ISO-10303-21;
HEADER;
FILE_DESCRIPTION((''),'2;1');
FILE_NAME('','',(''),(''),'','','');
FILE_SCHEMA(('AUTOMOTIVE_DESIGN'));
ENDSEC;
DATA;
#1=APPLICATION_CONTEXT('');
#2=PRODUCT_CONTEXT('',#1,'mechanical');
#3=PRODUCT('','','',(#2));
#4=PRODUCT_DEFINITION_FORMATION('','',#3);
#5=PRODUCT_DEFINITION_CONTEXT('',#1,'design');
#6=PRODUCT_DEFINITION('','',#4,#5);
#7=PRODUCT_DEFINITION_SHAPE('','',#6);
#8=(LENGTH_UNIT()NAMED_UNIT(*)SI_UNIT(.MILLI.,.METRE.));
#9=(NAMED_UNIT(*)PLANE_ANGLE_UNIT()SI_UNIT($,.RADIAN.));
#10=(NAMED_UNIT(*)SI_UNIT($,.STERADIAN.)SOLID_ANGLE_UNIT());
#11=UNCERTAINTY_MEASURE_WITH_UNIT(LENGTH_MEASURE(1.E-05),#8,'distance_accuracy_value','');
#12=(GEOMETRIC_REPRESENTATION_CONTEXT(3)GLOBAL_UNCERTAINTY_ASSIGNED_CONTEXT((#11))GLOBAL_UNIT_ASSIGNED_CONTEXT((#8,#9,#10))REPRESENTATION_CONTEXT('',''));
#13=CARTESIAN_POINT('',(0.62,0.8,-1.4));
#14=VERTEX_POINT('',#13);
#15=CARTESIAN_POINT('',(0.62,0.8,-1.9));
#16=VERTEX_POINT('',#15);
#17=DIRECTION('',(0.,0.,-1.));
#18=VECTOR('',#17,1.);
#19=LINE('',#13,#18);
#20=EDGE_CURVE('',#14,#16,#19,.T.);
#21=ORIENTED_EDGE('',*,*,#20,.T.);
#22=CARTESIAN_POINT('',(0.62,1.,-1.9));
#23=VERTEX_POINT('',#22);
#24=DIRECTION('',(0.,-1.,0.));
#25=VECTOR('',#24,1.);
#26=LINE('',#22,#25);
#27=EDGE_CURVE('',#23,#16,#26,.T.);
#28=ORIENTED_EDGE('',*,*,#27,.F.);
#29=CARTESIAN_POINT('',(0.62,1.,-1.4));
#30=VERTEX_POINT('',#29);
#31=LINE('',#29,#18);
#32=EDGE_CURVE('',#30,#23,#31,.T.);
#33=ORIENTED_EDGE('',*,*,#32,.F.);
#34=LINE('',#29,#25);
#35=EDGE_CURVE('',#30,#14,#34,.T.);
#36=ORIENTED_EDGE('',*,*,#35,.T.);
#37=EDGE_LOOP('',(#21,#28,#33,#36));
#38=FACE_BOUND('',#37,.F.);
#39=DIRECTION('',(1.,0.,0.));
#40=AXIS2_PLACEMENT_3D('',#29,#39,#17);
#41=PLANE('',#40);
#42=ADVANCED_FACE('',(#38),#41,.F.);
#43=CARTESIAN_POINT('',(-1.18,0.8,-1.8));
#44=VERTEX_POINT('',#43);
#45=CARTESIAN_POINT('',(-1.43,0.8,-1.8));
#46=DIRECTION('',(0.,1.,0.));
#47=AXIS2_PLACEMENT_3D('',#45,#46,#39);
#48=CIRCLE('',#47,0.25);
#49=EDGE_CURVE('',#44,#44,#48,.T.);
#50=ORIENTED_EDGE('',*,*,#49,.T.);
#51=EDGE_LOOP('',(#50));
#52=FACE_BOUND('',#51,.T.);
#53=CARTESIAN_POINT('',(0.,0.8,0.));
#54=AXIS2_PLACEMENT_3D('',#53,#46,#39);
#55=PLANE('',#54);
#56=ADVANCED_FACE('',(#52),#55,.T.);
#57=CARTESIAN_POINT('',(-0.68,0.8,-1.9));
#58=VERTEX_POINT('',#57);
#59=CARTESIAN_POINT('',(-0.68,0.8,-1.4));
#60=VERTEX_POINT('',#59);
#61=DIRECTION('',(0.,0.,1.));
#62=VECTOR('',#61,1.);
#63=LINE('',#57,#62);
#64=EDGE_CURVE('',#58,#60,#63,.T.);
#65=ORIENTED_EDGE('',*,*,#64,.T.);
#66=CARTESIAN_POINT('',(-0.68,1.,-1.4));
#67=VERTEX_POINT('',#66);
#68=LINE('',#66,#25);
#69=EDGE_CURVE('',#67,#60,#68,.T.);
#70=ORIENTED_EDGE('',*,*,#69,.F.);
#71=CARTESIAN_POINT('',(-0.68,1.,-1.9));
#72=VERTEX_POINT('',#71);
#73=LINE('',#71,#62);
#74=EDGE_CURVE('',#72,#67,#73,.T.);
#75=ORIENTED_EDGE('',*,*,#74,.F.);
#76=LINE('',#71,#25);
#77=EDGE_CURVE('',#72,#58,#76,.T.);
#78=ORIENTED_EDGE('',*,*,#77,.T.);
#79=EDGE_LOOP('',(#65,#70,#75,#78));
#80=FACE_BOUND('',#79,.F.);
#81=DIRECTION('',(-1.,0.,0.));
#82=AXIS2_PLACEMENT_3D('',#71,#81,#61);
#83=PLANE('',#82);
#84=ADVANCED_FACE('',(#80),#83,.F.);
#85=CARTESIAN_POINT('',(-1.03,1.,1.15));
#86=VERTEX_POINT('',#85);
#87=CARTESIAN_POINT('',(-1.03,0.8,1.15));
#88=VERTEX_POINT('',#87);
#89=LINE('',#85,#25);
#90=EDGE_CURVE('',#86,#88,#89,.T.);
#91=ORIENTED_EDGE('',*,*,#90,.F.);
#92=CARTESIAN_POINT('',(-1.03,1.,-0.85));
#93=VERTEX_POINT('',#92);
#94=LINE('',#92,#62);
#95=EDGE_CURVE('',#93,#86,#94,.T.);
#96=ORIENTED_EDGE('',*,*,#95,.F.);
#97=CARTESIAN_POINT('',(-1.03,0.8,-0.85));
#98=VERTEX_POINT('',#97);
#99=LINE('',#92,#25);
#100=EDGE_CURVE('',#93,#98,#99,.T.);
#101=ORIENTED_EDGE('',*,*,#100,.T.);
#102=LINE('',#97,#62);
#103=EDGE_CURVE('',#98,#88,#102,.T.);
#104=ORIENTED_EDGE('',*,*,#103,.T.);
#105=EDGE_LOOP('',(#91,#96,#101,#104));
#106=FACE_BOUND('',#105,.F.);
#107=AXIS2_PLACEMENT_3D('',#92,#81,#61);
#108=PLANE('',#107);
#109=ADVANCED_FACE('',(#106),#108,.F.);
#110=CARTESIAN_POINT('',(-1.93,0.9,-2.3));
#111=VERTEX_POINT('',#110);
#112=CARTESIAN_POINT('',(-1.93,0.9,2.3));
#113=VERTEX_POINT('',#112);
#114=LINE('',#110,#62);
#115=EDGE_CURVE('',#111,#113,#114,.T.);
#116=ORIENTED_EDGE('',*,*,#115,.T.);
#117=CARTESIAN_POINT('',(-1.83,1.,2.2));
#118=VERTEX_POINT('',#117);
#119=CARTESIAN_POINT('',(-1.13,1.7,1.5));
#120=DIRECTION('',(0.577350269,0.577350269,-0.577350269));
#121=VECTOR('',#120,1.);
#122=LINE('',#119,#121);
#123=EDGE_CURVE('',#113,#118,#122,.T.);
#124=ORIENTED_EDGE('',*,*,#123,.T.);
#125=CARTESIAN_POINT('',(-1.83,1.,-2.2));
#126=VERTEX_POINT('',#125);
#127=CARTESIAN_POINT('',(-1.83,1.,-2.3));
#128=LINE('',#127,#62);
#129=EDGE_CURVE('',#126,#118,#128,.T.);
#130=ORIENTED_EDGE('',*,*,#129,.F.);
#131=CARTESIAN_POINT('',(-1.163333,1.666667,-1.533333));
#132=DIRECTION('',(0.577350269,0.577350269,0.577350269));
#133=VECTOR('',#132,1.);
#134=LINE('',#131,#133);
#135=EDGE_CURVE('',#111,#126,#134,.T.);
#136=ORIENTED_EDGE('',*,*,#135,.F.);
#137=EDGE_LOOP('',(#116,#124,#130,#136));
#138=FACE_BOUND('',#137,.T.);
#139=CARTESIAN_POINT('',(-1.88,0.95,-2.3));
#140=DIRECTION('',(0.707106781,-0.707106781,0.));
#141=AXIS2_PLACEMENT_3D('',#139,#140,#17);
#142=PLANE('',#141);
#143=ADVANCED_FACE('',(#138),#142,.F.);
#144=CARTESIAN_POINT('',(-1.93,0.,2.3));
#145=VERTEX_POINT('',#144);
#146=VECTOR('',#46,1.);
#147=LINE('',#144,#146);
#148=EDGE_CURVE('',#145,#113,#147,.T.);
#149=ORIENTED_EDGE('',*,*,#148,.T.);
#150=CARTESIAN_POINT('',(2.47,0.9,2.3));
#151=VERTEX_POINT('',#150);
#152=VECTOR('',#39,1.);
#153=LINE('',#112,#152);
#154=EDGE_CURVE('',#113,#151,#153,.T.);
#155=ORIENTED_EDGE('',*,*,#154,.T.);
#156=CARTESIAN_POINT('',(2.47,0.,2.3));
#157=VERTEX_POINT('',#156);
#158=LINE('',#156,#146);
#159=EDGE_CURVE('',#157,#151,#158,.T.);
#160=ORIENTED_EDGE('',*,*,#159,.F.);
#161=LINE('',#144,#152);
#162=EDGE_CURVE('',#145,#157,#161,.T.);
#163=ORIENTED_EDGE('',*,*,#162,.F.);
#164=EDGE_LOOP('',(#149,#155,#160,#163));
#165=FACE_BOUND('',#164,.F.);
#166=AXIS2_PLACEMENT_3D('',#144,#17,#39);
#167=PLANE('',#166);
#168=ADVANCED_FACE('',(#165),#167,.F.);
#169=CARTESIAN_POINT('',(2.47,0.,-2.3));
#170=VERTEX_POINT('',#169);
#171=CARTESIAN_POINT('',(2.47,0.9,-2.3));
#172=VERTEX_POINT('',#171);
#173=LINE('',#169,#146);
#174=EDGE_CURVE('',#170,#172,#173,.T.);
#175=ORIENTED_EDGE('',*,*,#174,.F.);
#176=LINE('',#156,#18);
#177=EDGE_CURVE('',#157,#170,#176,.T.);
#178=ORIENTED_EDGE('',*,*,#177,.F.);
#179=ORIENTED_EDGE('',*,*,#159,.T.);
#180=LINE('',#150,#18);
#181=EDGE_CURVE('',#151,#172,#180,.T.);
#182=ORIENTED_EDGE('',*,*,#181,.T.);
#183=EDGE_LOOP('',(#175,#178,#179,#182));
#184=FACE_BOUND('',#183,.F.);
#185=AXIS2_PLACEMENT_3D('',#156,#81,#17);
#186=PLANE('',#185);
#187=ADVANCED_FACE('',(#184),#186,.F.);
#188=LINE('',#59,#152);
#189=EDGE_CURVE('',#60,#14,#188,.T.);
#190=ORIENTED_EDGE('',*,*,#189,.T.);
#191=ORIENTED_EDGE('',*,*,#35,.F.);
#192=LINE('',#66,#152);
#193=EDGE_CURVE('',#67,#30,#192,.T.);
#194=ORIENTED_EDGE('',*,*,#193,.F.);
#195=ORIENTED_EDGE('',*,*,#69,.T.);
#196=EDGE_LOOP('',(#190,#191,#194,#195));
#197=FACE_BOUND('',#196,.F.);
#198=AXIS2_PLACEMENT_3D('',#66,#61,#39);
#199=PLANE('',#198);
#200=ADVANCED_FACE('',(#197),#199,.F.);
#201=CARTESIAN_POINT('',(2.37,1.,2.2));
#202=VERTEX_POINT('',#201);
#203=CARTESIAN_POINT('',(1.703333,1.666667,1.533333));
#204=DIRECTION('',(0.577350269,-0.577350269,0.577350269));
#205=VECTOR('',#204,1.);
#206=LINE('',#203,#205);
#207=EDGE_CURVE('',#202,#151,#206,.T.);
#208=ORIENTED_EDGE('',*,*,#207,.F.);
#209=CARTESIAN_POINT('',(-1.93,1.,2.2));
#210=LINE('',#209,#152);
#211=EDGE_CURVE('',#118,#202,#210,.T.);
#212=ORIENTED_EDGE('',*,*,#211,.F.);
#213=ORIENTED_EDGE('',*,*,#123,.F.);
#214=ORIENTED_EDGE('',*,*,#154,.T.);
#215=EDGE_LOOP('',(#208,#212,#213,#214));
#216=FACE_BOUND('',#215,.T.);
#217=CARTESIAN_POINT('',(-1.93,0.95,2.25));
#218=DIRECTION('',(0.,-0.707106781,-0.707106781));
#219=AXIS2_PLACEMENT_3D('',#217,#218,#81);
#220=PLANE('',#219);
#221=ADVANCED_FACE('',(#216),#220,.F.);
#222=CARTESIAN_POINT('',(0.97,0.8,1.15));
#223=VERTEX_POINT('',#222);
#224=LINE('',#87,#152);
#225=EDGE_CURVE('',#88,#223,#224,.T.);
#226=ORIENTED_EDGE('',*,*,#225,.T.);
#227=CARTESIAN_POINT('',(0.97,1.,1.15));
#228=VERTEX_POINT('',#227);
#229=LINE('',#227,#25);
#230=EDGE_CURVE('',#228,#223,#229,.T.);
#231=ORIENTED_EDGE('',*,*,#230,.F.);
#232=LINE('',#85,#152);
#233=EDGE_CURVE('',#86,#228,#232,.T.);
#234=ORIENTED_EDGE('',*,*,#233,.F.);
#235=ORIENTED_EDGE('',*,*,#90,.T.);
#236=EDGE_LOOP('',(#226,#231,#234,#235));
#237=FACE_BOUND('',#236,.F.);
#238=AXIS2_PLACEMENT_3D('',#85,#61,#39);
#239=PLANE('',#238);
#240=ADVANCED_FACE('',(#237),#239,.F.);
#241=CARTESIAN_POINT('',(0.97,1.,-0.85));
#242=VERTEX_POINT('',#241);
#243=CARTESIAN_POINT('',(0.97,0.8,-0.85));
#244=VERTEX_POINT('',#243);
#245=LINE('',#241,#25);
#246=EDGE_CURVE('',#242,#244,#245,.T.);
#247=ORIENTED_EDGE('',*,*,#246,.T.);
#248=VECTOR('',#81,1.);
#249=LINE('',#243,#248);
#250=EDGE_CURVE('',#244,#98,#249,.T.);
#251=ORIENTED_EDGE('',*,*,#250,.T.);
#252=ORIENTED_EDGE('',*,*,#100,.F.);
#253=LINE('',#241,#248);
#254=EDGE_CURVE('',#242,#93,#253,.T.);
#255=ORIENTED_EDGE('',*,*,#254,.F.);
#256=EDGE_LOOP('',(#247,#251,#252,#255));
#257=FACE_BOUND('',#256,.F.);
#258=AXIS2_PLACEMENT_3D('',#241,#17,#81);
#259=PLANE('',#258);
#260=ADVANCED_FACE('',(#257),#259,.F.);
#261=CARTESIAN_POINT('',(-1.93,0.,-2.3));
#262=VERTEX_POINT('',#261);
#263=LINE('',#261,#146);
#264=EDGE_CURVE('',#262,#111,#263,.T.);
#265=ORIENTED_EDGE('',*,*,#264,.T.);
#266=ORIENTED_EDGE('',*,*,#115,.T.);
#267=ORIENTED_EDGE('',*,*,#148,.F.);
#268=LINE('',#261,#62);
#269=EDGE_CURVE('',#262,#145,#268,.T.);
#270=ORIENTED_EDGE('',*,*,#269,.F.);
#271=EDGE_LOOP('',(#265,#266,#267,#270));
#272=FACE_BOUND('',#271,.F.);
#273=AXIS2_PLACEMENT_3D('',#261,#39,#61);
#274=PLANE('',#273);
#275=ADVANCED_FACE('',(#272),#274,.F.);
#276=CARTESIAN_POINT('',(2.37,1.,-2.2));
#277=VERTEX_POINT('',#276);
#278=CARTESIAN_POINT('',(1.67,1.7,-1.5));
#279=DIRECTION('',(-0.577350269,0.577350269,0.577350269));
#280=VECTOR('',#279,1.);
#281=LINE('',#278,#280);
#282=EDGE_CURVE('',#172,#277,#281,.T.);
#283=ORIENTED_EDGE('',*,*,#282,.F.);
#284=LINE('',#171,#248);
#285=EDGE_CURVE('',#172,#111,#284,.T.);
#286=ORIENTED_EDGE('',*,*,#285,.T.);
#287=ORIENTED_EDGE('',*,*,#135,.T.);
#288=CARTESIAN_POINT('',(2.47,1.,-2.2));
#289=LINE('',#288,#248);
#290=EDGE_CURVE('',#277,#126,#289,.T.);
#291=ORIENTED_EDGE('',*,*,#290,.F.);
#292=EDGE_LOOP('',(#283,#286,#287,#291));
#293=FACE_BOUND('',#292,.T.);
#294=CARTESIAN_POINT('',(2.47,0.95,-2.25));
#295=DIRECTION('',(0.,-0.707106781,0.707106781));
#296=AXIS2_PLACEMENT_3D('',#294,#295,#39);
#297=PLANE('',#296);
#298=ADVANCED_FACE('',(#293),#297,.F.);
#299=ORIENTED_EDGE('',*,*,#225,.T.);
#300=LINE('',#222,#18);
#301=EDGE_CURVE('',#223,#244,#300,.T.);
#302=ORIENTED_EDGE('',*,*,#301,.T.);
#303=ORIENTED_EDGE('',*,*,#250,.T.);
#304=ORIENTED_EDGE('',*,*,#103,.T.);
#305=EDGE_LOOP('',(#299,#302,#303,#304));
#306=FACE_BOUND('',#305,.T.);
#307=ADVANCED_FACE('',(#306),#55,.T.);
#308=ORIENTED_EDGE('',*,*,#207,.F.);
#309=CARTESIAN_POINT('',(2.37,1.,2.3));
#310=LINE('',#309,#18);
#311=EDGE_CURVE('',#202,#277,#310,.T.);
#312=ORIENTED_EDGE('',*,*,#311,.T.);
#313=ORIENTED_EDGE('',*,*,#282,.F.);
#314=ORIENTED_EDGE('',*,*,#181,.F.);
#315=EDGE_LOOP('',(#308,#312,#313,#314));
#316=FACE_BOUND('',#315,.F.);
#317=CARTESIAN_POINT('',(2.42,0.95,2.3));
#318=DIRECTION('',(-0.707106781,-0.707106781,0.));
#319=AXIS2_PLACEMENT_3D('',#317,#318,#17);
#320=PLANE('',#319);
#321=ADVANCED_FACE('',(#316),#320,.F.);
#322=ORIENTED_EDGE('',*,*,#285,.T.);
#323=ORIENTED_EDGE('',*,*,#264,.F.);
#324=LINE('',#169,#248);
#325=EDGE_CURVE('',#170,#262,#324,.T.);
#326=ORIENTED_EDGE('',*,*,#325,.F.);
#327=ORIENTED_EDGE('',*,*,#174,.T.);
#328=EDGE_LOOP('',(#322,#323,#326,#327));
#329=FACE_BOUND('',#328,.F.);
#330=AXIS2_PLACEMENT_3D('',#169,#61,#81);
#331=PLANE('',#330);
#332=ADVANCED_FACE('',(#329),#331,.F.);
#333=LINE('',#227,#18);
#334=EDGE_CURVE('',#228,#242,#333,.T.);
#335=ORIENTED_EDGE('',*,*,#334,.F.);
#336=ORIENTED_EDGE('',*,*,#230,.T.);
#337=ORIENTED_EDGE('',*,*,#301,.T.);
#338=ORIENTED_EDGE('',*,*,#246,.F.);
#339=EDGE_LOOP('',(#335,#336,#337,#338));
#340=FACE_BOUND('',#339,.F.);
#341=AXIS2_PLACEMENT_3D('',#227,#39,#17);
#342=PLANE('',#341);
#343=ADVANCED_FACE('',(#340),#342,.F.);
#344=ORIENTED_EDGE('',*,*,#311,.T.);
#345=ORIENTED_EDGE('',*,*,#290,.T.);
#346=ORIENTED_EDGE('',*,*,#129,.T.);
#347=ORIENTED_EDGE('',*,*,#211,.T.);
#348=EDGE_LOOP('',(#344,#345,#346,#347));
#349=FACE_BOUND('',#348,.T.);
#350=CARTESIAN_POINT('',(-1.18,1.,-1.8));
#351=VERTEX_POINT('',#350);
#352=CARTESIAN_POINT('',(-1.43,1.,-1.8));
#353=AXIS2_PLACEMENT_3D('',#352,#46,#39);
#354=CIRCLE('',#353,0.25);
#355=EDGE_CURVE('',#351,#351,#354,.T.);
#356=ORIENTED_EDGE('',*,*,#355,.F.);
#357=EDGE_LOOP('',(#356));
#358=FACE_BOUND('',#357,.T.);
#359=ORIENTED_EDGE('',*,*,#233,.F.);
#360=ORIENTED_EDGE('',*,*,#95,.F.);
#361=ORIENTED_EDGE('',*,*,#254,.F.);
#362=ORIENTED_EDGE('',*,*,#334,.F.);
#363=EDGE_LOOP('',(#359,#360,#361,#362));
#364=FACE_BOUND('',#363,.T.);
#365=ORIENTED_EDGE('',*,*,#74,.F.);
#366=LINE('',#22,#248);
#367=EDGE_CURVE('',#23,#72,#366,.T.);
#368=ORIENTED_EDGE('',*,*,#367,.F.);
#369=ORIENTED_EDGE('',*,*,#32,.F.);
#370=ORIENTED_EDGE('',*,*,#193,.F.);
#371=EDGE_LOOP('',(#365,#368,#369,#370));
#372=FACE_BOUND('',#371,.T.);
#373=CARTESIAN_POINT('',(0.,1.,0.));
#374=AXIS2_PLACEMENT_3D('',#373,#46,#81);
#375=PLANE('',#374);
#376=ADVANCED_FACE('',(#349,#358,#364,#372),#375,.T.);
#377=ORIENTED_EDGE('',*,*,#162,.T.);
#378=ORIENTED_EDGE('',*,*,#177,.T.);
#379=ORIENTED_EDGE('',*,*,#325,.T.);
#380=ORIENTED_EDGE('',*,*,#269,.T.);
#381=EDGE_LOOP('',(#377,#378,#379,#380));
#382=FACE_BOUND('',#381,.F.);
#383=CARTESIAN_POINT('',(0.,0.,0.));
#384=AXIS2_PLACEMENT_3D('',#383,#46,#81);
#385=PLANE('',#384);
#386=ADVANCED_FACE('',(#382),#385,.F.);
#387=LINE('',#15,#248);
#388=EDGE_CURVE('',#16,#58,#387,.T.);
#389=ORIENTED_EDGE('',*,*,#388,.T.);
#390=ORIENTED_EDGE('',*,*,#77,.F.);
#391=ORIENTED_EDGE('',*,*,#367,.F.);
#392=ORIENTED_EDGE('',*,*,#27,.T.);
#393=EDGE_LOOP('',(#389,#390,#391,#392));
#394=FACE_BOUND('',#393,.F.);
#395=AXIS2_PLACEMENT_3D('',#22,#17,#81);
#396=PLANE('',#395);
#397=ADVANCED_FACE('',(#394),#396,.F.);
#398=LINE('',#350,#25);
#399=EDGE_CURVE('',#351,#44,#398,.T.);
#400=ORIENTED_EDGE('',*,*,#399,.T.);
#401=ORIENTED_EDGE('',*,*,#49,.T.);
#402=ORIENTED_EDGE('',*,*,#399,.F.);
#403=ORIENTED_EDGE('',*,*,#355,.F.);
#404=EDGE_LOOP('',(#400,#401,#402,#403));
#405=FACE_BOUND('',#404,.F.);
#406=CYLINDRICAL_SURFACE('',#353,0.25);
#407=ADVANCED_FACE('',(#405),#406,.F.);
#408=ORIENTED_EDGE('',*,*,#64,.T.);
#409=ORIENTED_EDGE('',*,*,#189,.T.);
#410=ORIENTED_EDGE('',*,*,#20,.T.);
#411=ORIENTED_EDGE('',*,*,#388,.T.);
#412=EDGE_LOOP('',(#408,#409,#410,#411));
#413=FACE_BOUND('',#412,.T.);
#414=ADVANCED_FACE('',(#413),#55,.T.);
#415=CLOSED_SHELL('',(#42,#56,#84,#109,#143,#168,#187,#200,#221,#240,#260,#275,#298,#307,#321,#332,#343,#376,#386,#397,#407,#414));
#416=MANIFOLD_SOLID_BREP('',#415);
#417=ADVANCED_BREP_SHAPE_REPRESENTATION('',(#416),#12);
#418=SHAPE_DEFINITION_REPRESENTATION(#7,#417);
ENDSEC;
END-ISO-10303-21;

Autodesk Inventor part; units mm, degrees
ref_plane "YZ Plane" through (0, 0, 0) normal (1, 0, 0) x (0, 1, 0)
ref_plane "XZ Plane" through (0, 0, 0) normal (0, 1, 0) x (-1, 0, 0)
sketch "Sketch1" plane through (0, 0, 0) normal (0, 1, 0) x (-1, 0, 0)
  line L0 (1.93, 2.3) -> (-2.47, 2.3)
  line L1 (-2.47, 2.3) -> (-2.47, -2.3)
  line L2 (-2.47, -2.3) -> (1.93, -2.3)
  line L3 (1.93, -2.3) -> (1.93, 2.3)
  line L4 (0, -3.22) -> (0, 3.22) construction
  line L5 (2.81, 0) -> (-3.35, 0) construction
  point P0 (0, 0)
  point P1 (-0.27, 2.3)
  point P2 (1.93, 0)
  dimension "d0" = 4.4
  dimension "d1" = 4.6
  dimension "d2" = 0.27
extrude "Extrusion1" add sketch "Sketch1" along normal blind 1
sketch "Sketch2" plane through (0, 1, 0) normal (0, 1, 0) x (1, 0, 0)
  line L0 (-1.03, -1.15) -> (0.97, -1.15)
  line L1 (0.97, -1.15) -> (0.97, 0.85)
  line L2 (0.97, 0.85) -> (-1.03, 0.85)
  line L3 (-1.03, 0.85) -> (-1.03, -1.15)
  line L4 (-1.93, 2.3) -> (-1.93, -2.3) projected
  line L5 (-1.93, -2.3) -> (2.47, -2.3) projected
  line L6 (-0.68, 1.4) -> (0.62, 1.4)
  line L7 (0.62, 1.4) -> (0.62, 1.9)
  line L8 (0.62, 1.9) -> (-0.68, 1.9)
  line L9 (-0.68, 1.9) -> (-0.68, 1.4)
  line L10 (2.47, 2.3) -> (-1.93, 2.3) projected
  circle A0 centre (-1.43, 1.8) radius 0.25
  point P0 (0, 0)
  point P1 (-0.03, 0.85)
  point P2 (-0.03, 1.4)
  dimension "d5" = 2
  dimension "d6" = 2
  dimension "d7" = 0.9
  dimension "d8" = 1.15
  dimension "d9" = 0.5
  dimension "d10" = 1.3
  dimension "d11" = 0.4
  dimension "d12" = 0.5
  dimension "d13" = 0.5
  dimension "d14" = 0.5
extrude "Extrusion2" cut sketch "Sketch2" against normal blind 0.2
chamfer "Chamfer1" distance 0.1 angle 45 4 edges at (-1.93, 1, 0) (0.27, 1, -2.3) (2.47, 1, 0) (0.27, 1, 2.3)
ref_plane "Work Plane2" through (0.62, 1, -1.125) normal (0, 0, -1) x (-1, 0, 0)
properties part number "Optical_sensor"
